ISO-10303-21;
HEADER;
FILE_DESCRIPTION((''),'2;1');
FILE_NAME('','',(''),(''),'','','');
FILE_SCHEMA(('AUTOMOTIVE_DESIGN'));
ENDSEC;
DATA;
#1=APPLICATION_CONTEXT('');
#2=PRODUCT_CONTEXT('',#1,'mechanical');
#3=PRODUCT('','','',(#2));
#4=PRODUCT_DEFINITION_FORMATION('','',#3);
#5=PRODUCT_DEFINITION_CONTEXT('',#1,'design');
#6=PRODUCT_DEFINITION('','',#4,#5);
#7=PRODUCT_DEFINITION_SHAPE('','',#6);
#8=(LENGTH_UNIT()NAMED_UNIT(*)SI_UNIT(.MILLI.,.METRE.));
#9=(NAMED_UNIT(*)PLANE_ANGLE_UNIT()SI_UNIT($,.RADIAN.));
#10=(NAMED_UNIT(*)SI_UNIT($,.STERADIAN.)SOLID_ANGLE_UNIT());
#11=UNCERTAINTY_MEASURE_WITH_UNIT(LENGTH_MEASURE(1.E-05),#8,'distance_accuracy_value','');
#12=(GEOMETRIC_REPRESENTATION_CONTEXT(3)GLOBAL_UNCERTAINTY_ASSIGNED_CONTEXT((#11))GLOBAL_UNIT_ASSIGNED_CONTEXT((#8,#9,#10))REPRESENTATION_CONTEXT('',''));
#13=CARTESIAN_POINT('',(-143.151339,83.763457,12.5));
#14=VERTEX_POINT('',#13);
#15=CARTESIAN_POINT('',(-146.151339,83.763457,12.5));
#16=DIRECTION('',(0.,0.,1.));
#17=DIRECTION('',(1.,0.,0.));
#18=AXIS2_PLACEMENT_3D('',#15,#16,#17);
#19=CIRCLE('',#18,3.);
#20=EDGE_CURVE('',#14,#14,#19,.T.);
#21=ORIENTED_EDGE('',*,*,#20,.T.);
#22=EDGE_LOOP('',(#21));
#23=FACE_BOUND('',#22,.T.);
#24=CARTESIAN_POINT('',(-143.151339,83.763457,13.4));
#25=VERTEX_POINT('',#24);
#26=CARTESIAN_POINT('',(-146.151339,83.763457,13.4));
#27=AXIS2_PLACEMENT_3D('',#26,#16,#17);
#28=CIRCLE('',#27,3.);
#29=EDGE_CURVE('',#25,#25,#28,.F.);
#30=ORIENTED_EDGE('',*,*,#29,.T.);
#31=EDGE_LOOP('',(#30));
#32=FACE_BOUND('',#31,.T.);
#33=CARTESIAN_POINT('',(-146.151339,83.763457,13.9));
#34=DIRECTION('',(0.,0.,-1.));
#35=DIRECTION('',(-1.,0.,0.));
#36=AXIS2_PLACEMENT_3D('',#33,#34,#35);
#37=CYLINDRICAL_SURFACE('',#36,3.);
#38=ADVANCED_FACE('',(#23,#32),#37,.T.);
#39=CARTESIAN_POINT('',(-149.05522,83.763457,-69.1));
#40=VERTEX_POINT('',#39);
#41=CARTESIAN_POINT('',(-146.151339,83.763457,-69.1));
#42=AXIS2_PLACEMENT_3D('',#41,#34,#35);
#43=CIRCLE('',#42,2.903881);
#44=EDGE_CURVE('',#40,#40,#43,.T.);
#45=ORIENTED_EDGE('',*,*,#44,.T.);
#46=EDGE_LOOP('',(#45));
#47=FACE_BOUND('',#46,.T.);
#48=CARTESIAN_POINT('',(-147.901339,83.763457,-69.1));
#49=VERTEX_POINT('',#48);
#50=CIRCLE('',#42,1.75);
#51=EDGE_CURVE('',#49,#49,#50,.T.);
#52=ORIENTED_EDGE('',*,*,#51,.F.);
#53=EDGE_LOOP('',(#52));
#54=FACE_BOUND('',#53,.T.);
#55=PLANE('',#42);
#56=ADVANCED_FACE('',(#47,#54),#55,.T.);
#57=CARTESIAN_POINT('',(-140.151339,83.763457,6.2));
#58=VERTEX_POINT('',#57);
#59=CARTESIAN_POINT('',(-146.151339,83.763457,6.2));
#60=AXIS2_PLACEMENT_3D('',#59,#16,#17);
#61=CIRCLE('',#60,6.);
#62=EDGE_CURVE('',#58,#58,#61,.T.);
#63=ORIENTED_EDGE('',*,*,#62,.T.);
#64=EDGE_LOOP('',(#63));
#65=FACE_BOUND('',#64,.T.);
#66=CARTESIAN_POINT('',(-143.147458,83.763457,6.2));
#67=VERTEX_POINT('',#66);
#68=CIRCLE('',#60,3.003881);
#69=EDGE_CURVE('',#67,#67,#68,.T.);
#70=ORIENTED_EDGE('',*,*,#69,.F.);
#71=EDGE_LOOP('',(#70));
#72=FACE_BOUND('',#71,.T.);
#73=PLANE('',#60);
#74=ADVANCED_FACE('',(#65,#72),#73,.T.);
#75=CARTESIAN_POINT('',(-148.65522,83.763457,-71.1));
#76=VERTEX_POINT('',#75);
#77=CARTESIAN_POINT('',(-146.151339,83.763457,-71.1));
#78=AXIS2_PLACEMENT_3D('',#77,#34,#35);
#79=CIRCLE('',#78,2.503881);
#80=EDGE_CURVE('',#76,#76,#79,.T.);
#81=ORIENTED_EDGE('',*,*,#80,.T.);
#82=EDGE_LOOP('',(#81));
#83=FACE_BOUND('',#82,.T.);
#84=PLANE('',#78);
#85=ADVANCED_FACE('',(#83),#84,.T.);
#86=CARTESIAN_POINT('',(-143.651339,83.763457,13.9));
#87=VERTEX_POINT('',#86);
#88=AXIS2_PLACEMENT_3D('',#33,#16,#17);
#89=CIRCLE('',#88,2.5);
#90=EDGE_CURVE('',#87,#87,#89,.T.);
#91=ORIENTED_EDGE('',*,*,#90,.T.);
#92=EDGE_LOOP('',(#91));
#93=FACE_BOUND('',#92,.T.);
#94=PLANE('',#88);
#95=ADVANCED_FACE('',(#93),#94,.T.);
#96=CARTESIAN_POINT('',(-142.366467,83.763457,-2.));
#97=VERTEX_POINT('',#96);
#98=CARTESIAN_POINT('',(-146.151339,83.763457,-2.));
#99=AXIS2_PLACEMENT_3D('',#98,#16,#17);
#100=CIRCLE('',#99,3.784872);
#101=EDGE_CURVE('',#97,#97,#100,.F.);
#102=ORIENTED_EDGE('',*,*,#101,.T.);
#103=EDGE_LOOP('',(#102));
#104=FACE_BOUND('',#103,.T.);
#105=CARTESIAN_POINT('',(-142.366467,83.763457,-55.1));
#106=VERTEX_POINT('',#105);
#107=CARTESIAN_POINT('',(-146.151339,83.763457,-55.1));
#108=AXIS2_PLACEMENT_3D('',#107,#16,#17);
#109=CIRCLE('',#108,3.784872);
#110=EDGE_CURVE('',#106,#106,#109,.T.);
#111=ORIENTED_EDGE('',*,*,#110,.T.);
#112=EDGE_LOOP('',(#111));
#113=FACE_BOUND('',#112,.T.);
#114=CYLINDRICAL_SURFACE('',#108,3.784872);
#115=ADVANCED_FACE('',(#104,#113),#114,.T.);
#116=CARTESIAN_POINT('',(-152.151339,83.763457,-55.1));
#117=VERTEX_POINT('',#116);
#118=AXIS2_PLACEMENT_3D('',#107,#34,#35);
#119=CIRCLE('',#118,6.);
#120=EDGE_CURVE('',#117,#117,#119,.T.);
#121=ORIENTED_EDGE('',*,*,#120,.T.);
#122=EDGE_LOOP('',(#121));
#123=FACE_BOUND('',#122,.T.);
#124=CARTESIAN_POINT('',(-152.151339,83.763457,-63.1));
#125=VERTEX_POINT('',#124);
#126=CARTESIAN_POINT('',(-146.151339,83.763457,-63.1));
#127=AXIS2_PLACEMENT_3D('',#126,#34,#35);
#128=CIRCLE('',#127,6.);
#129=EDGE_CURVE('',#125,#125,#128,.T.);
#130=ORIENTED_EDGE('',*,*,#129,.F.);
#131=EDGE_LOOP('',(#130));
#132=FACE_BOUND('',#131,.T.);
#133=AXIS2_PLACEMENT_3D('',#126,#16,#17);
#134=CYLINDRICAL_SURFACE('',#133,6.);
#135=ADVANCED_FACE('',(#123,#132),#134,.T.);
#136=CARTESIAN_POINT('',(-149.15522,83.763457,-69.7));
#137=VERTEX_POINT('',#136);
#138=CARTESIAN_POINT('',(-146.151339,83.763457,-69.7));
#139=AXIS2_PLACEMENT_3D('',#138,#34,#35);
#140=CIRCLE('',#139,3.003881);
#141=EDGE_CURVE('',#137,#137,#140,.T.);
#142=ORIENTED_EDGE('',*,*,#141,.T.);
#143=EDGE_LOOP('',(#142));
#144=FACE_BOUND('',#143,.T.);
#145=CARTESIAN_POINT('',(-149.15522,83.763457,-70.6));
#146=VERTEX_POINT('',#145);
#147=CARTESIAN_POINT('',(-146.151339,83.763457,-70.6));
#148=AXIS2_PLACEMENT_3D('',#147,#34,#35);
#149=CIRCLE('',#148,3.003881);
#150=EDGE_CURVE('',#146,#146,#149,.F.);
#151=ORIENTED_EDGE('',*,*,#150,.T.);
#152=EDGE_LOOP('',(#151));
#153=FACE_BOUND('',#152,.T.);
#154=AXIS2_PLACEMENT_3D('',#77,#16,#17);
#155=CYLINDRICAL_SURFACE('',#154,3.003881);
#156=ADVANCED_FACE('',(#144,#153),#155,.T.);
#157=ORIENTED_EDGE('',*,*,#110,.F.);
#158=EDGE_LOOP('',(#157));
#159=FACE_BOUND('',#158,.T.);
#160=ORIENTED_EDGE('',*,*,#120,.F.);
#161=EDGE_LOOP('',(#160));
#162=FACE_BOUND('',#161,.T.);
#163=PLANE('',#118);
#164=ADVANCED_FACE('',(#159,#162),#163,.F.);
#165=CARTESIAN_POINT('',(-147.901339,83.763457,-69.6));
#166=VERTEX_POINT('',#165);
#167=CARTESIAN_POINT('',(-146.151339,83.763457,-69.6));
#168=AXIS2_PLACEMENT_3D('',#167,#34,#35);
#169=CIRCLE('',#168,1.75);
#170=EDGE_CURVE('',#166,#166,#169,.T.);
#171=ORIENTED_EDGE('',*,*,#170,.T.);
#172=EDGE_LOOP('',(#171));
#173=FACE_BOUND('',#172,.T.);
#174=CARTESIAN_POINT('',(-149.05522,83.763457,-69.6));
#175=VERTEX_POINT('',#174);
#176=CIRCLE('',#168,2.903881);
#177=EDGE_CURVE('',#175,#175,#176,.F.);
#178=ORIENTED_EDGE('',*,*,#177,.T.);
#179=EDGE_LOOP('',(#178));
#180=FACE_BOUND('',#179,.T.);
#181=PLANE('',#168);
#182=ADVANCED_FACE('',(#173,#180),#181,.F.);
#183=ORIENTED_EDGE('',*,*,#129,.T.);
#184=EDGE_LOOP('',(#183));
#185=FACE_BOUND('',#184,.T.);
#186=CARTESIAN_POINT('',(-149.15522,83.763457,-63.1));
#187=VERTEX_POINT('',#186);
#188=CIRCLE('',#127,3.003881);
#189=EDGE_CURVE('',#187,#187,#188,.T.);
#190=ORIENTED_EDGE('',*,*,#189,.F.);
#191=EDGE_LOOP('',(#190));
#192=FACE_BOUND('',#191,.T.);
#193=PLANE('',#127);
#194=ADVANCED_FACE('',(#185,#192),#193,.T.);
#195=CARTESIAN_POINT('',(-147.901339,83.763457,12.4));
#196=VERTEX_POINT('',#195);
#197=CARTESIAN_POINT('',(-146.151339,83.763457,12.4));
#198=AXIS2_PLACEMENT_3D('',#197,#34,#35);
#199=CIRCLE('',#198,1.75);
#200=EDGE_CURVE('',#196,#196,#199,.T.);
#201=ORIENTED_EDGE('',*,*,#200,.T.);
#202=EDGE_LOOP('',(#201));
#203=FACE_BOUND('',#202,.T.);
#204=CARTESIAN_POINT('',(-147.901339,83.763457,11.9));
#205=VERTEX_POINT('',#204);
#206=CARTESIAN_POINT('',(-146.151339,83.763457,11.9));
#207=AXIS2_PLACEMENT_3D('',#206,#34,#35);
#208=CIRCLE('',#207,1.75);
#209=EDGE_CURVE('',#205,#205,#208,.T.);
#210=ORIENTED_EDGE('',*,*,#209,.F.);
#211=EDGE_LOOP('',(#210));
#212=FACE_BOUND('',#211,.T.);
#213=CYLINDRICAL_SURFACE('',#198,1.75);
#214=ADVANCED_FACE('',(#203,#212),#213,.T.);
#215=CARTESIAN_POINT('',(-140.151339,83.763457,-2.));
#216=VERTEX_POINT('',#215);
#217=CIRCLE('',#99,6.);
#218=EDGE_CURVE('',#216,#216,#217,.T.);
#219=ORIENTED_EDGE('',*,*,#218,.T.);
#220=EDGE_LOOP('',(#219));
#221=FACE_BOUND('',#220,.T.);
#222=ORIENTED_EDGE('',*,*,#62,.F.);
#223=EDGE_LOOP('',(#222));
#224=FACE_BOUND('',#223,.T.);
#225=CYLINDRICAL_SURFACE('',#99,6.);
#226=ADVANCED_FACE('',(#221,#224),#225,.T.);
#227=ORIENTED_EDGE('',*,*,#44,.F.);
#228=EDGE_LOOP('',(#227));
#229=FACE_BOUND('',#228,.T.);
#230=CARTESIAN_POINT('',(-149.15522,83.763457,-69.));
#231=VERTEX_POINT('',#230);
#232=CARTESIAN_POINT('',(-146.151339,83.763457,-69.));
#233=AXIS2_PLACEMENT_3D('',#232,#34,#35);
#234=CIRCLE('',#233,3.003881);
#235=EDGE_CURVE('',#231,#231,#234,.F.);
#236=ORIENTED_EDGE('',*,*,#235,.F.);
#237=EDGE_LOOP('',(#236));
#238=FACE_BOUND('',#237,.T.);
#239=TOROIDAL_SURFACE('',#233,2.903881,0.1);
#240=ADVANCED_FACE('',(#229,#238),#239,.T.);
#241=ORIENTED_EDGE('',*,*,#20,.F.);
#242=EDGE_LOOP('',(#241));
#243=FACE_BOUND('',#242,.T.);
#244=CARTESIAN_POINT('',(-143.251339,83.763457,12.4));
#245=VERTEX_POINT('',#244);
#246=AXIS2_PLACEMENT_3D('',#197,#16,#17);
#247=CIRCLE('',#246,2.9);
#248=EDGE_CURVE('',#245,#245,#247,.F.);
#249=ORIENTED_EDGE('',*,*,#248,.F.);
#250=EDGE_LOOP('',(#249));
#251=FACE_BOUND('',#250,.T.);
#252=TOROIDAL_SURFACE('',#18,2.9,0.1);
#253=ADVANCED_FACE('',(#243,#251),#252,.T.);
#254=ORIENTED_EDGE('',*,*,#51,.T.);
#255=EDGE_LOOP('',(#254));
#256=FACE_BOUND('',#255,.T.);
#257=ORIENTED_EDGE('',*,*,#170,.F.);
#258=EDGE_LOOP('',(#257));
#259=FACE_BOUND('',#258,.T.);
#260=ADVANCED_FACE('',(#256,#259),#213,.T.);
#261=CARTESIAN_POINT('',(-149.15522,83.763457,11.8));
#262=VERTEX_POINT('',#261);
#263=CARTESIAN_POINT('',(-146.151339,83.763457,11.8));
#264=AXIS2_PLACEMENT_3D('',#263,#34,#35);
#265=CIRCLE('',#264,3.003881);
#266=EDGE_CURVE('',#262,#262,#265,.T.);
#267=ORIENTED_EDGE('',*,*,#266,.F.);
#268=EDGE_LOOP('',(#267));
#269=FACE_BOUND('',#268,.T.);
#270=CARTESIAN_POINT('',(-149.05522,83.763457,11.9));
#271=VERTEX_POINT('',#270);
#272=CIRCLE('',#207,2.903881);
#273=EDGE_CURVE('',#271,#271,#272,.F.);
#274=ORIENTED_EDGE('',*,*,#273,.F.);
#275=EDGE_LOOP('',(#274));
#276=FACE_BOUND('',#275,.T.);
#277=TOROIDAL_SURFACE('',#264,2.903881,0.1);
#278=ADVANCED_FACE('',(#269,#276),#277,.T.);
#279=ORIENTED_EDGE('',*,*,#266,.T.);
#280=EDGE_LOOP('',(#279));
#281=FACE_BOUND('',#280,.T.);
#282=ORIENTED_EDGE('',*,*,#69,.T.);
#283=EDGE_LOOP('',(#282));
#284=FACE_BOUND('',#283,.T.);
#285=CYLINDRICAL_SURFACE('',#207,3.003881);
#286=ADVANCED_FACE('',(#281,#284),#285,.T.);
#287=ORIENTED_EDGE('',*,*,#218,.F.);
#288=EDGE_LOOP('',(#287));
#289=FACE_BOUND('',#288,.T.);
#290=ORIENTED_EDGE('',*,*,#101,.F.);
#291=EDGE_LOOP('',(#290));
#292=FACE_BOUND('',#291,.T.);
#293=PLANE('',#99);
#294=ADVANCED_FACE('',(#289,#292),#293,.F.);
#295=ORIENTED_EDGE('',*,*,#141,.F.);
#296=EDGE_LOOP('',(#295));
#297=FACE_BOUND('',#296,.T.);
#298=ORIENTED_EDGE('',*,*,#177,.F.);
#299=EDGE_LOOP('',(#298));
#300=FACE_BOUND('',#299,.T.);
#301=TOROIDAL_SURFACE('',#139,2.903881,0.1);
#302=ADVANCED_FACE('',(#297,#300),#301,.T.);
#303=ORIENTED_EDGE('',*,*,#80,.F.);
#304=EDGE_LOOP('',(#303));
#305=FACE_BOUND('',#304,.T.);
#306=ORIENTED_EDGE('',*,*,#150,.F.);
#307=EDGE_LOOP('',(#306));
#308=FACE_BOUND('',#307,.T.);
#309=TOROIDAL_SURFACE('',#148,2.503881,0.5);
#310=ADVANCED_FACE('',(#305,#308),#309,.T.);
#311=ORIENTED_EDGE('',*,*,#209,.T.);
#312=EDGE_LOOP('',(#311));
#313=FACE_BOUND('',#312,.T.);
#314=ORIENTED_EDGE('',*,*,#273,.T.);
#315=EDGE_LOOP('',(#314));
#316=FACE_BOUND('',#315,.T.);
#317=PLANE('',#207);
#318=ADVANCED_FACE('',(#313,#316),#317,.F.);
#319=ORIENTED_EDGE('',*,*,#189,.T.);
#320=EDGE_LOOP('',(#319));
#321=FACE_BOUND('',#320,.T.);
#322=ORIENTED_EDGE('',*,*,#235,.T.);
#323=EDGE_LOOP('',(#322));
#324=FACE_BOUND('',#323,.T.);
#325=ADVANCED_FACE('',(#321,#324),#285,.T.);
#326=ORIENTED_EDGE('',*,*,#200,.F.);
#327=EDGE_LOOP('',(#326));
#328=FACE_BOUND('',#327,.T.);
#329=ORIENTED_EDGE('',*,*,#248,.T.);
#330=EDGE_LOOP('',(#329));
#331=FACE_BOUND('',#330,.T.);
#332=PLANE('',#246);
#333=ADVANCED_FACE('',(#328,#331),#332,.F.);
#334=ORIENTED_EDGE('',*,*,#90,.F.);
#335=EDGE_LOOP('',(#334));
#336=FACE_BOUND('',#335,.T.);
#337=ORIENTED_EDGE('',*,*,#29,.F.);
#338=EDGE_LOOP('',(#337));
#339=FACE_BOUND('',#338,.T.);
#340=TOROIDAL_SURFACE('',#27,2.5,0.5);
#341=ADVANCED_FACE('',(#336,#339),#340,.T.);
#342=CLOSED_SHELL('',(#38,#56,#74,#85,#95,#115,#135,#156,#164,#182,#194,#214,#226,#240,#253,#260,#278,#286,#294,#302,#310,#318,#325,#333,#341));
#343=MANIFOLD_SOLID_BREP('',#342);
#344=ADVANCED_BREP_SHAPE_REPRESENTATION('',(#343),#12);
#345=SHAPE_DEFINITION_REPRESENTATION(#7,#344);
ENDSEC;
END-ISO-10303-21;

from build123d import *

# Parameters (mm, degrees)
SKETCH1_R                = 3.784872219
BOSS_EXTRUDE1_DEPTH      = 55.1
BOSS_EXTRUDE2_DEPTH      = 6.2
BOSS_EXTRUDE2_DEPTH_BACK = 2
SKETCH2_R                = 6
SKETCH3_R                = 6
BOSS_EXTRUDE3_DEPTH      = 8
BOSS_EXTRUDE4_DEPTH      = 6
BOSS_EXTRUDE4_DEPTH_BACK = 75
SKETCH4_R                = 3.003880852
BOSS_EXTRUDE5_DEPTH      = 0.5
BOSS_EXTRUDE5_DEPTH_BACK = 81.5
SKETCH5_R                = 1.75
SKETCH6_R                = 3.003880852
BOSS_EXTRUDE6_DEPTH      = 1.5
SKETCH7_R                = 3
BOSS_EXTRUDE7_DEPTH      = 1.5
FILLET1_R                = 0.5
FILLET2_R                = 0.1


with BuildPart() as part:
    # Sketch1 → Boss-Extrude1 (new body)
    with BuildSketch(Plane.XY):
        with Locations((-146.151339286, 83.763457126)):
            Circle(SKETCH1_R)
    extrude(amount=-BOSS_EXTRUDE1_DEPTH)

    # Sketch2 → Boss-Extrude2 (add, two sides: drawn at the far end of the back side and taken through both)
    with BuildSketch(Plane.XY.offset(-BOSS_EXTRUDE2_DEPTH_BACK)):
        with Locations((-146.151339286, 83.763457126)):
            Circle(SKETCH2_R)
    extrude(amount=BOSS_EXTRUDE2_DEPTH + BOSS_EXTRUDE2_DEPTH_BACK)

    # Sketch3 → Boss-Extrude3 (add)
    with BuildSketch(Plane(origin=(0, 0, -55.1), x_dir=(-1, 0, 0), z_dir=(0, 0, -1))):
        with Locations(Location((146.151339286, 83.763457126, 0), (0, 0, 180))):
            Circle(SKETCH3_R)
    extrude(amount=BOSS_EXTRUDE3_DEPTH)

    # Sketch4 → Boss-Extrude4 (add, two sides: drawn at the far end of the back side and taken through both)
    with BuildSketch(Plane(origin=(0, 0, -63.1), x_dir=(-1, 0, 0), z_dir=(0, 0, -1)).offset(-BOSS_EXTRUDE4_DEPTH_BACK)):
        with Locations((146.151339286, 83.763457126)):
            Circle(SKETCH4_R)
    extrude(amount=BOSS_EXTRUDE4_DEPTH + BOSS_EXTRUDE4_DEPTH_BACK)

    # Sketch5 → Boss-Extrude5 (add, two sides: drawn at the far end of the back side and taken through both)
    with BuildSketch(Plane(origin=(0, 0, -69.1), x_dir=(-1, 0, 0), z_dir=(0, 0, -1)).offset(-BOSS_EXTRUDE5_DEPTH_BACK)):
        with Locations((146.151339286, 83.763457126)):
            Circle(SKETCH5_R)
    extrude(amount=BOSS_EXTRUDE5_DEPTH + BOSS_EXTRUDE5_DEPTH_BACK)

    # Sketch6 → Boss-Extrude6 (add)
    with BuildSketch(Plane(origin=(0, 0, -69.6), x_dir=(-1, 0, 0), z_dir=(0, 0, -1))):
        with Locations((146.151339286, 83.763457126)):
            Circle(SKETCH6_R)
    extrude(amount=BOSS_EXTRUDE6_DEPTH)

    # Sketch7 → Boss-Extrude7 (add)
    with BuildSketch(Plane.XY.offset(12.4)):
        with Locations((-146.151339286, 83.763457126)):
            Circle(SKETCH7_R)
    extrude(amount=BOSS_EXTRUDE7_DEPTH)

    # Fillet1
    fillet1_edges = [part.edges().sort_by_distance(p)[0] for p in [
        (-143.147458434, 83.763457126, -71.1),
        (-149.151339286, 83.763457126, 13.9),
    ]]
    fillet(fillet1_edges, radius=FILLET1_R)

    # Fillet2
    fillet2_edges = [part.edges().sort_by_distance(p)[0] for p in [
        (-143.147458434, 83.763457126, 11.9),
        (-143.147458434, 83.763457126, -69.1),
        (-143.147458434, 83.763457126, -69.6),
        (-149.151339286, 83.763457126, 12.4),
    ]]
    fillet(fillet2_edges, radius=FILLET2_R)


solid = part.part
